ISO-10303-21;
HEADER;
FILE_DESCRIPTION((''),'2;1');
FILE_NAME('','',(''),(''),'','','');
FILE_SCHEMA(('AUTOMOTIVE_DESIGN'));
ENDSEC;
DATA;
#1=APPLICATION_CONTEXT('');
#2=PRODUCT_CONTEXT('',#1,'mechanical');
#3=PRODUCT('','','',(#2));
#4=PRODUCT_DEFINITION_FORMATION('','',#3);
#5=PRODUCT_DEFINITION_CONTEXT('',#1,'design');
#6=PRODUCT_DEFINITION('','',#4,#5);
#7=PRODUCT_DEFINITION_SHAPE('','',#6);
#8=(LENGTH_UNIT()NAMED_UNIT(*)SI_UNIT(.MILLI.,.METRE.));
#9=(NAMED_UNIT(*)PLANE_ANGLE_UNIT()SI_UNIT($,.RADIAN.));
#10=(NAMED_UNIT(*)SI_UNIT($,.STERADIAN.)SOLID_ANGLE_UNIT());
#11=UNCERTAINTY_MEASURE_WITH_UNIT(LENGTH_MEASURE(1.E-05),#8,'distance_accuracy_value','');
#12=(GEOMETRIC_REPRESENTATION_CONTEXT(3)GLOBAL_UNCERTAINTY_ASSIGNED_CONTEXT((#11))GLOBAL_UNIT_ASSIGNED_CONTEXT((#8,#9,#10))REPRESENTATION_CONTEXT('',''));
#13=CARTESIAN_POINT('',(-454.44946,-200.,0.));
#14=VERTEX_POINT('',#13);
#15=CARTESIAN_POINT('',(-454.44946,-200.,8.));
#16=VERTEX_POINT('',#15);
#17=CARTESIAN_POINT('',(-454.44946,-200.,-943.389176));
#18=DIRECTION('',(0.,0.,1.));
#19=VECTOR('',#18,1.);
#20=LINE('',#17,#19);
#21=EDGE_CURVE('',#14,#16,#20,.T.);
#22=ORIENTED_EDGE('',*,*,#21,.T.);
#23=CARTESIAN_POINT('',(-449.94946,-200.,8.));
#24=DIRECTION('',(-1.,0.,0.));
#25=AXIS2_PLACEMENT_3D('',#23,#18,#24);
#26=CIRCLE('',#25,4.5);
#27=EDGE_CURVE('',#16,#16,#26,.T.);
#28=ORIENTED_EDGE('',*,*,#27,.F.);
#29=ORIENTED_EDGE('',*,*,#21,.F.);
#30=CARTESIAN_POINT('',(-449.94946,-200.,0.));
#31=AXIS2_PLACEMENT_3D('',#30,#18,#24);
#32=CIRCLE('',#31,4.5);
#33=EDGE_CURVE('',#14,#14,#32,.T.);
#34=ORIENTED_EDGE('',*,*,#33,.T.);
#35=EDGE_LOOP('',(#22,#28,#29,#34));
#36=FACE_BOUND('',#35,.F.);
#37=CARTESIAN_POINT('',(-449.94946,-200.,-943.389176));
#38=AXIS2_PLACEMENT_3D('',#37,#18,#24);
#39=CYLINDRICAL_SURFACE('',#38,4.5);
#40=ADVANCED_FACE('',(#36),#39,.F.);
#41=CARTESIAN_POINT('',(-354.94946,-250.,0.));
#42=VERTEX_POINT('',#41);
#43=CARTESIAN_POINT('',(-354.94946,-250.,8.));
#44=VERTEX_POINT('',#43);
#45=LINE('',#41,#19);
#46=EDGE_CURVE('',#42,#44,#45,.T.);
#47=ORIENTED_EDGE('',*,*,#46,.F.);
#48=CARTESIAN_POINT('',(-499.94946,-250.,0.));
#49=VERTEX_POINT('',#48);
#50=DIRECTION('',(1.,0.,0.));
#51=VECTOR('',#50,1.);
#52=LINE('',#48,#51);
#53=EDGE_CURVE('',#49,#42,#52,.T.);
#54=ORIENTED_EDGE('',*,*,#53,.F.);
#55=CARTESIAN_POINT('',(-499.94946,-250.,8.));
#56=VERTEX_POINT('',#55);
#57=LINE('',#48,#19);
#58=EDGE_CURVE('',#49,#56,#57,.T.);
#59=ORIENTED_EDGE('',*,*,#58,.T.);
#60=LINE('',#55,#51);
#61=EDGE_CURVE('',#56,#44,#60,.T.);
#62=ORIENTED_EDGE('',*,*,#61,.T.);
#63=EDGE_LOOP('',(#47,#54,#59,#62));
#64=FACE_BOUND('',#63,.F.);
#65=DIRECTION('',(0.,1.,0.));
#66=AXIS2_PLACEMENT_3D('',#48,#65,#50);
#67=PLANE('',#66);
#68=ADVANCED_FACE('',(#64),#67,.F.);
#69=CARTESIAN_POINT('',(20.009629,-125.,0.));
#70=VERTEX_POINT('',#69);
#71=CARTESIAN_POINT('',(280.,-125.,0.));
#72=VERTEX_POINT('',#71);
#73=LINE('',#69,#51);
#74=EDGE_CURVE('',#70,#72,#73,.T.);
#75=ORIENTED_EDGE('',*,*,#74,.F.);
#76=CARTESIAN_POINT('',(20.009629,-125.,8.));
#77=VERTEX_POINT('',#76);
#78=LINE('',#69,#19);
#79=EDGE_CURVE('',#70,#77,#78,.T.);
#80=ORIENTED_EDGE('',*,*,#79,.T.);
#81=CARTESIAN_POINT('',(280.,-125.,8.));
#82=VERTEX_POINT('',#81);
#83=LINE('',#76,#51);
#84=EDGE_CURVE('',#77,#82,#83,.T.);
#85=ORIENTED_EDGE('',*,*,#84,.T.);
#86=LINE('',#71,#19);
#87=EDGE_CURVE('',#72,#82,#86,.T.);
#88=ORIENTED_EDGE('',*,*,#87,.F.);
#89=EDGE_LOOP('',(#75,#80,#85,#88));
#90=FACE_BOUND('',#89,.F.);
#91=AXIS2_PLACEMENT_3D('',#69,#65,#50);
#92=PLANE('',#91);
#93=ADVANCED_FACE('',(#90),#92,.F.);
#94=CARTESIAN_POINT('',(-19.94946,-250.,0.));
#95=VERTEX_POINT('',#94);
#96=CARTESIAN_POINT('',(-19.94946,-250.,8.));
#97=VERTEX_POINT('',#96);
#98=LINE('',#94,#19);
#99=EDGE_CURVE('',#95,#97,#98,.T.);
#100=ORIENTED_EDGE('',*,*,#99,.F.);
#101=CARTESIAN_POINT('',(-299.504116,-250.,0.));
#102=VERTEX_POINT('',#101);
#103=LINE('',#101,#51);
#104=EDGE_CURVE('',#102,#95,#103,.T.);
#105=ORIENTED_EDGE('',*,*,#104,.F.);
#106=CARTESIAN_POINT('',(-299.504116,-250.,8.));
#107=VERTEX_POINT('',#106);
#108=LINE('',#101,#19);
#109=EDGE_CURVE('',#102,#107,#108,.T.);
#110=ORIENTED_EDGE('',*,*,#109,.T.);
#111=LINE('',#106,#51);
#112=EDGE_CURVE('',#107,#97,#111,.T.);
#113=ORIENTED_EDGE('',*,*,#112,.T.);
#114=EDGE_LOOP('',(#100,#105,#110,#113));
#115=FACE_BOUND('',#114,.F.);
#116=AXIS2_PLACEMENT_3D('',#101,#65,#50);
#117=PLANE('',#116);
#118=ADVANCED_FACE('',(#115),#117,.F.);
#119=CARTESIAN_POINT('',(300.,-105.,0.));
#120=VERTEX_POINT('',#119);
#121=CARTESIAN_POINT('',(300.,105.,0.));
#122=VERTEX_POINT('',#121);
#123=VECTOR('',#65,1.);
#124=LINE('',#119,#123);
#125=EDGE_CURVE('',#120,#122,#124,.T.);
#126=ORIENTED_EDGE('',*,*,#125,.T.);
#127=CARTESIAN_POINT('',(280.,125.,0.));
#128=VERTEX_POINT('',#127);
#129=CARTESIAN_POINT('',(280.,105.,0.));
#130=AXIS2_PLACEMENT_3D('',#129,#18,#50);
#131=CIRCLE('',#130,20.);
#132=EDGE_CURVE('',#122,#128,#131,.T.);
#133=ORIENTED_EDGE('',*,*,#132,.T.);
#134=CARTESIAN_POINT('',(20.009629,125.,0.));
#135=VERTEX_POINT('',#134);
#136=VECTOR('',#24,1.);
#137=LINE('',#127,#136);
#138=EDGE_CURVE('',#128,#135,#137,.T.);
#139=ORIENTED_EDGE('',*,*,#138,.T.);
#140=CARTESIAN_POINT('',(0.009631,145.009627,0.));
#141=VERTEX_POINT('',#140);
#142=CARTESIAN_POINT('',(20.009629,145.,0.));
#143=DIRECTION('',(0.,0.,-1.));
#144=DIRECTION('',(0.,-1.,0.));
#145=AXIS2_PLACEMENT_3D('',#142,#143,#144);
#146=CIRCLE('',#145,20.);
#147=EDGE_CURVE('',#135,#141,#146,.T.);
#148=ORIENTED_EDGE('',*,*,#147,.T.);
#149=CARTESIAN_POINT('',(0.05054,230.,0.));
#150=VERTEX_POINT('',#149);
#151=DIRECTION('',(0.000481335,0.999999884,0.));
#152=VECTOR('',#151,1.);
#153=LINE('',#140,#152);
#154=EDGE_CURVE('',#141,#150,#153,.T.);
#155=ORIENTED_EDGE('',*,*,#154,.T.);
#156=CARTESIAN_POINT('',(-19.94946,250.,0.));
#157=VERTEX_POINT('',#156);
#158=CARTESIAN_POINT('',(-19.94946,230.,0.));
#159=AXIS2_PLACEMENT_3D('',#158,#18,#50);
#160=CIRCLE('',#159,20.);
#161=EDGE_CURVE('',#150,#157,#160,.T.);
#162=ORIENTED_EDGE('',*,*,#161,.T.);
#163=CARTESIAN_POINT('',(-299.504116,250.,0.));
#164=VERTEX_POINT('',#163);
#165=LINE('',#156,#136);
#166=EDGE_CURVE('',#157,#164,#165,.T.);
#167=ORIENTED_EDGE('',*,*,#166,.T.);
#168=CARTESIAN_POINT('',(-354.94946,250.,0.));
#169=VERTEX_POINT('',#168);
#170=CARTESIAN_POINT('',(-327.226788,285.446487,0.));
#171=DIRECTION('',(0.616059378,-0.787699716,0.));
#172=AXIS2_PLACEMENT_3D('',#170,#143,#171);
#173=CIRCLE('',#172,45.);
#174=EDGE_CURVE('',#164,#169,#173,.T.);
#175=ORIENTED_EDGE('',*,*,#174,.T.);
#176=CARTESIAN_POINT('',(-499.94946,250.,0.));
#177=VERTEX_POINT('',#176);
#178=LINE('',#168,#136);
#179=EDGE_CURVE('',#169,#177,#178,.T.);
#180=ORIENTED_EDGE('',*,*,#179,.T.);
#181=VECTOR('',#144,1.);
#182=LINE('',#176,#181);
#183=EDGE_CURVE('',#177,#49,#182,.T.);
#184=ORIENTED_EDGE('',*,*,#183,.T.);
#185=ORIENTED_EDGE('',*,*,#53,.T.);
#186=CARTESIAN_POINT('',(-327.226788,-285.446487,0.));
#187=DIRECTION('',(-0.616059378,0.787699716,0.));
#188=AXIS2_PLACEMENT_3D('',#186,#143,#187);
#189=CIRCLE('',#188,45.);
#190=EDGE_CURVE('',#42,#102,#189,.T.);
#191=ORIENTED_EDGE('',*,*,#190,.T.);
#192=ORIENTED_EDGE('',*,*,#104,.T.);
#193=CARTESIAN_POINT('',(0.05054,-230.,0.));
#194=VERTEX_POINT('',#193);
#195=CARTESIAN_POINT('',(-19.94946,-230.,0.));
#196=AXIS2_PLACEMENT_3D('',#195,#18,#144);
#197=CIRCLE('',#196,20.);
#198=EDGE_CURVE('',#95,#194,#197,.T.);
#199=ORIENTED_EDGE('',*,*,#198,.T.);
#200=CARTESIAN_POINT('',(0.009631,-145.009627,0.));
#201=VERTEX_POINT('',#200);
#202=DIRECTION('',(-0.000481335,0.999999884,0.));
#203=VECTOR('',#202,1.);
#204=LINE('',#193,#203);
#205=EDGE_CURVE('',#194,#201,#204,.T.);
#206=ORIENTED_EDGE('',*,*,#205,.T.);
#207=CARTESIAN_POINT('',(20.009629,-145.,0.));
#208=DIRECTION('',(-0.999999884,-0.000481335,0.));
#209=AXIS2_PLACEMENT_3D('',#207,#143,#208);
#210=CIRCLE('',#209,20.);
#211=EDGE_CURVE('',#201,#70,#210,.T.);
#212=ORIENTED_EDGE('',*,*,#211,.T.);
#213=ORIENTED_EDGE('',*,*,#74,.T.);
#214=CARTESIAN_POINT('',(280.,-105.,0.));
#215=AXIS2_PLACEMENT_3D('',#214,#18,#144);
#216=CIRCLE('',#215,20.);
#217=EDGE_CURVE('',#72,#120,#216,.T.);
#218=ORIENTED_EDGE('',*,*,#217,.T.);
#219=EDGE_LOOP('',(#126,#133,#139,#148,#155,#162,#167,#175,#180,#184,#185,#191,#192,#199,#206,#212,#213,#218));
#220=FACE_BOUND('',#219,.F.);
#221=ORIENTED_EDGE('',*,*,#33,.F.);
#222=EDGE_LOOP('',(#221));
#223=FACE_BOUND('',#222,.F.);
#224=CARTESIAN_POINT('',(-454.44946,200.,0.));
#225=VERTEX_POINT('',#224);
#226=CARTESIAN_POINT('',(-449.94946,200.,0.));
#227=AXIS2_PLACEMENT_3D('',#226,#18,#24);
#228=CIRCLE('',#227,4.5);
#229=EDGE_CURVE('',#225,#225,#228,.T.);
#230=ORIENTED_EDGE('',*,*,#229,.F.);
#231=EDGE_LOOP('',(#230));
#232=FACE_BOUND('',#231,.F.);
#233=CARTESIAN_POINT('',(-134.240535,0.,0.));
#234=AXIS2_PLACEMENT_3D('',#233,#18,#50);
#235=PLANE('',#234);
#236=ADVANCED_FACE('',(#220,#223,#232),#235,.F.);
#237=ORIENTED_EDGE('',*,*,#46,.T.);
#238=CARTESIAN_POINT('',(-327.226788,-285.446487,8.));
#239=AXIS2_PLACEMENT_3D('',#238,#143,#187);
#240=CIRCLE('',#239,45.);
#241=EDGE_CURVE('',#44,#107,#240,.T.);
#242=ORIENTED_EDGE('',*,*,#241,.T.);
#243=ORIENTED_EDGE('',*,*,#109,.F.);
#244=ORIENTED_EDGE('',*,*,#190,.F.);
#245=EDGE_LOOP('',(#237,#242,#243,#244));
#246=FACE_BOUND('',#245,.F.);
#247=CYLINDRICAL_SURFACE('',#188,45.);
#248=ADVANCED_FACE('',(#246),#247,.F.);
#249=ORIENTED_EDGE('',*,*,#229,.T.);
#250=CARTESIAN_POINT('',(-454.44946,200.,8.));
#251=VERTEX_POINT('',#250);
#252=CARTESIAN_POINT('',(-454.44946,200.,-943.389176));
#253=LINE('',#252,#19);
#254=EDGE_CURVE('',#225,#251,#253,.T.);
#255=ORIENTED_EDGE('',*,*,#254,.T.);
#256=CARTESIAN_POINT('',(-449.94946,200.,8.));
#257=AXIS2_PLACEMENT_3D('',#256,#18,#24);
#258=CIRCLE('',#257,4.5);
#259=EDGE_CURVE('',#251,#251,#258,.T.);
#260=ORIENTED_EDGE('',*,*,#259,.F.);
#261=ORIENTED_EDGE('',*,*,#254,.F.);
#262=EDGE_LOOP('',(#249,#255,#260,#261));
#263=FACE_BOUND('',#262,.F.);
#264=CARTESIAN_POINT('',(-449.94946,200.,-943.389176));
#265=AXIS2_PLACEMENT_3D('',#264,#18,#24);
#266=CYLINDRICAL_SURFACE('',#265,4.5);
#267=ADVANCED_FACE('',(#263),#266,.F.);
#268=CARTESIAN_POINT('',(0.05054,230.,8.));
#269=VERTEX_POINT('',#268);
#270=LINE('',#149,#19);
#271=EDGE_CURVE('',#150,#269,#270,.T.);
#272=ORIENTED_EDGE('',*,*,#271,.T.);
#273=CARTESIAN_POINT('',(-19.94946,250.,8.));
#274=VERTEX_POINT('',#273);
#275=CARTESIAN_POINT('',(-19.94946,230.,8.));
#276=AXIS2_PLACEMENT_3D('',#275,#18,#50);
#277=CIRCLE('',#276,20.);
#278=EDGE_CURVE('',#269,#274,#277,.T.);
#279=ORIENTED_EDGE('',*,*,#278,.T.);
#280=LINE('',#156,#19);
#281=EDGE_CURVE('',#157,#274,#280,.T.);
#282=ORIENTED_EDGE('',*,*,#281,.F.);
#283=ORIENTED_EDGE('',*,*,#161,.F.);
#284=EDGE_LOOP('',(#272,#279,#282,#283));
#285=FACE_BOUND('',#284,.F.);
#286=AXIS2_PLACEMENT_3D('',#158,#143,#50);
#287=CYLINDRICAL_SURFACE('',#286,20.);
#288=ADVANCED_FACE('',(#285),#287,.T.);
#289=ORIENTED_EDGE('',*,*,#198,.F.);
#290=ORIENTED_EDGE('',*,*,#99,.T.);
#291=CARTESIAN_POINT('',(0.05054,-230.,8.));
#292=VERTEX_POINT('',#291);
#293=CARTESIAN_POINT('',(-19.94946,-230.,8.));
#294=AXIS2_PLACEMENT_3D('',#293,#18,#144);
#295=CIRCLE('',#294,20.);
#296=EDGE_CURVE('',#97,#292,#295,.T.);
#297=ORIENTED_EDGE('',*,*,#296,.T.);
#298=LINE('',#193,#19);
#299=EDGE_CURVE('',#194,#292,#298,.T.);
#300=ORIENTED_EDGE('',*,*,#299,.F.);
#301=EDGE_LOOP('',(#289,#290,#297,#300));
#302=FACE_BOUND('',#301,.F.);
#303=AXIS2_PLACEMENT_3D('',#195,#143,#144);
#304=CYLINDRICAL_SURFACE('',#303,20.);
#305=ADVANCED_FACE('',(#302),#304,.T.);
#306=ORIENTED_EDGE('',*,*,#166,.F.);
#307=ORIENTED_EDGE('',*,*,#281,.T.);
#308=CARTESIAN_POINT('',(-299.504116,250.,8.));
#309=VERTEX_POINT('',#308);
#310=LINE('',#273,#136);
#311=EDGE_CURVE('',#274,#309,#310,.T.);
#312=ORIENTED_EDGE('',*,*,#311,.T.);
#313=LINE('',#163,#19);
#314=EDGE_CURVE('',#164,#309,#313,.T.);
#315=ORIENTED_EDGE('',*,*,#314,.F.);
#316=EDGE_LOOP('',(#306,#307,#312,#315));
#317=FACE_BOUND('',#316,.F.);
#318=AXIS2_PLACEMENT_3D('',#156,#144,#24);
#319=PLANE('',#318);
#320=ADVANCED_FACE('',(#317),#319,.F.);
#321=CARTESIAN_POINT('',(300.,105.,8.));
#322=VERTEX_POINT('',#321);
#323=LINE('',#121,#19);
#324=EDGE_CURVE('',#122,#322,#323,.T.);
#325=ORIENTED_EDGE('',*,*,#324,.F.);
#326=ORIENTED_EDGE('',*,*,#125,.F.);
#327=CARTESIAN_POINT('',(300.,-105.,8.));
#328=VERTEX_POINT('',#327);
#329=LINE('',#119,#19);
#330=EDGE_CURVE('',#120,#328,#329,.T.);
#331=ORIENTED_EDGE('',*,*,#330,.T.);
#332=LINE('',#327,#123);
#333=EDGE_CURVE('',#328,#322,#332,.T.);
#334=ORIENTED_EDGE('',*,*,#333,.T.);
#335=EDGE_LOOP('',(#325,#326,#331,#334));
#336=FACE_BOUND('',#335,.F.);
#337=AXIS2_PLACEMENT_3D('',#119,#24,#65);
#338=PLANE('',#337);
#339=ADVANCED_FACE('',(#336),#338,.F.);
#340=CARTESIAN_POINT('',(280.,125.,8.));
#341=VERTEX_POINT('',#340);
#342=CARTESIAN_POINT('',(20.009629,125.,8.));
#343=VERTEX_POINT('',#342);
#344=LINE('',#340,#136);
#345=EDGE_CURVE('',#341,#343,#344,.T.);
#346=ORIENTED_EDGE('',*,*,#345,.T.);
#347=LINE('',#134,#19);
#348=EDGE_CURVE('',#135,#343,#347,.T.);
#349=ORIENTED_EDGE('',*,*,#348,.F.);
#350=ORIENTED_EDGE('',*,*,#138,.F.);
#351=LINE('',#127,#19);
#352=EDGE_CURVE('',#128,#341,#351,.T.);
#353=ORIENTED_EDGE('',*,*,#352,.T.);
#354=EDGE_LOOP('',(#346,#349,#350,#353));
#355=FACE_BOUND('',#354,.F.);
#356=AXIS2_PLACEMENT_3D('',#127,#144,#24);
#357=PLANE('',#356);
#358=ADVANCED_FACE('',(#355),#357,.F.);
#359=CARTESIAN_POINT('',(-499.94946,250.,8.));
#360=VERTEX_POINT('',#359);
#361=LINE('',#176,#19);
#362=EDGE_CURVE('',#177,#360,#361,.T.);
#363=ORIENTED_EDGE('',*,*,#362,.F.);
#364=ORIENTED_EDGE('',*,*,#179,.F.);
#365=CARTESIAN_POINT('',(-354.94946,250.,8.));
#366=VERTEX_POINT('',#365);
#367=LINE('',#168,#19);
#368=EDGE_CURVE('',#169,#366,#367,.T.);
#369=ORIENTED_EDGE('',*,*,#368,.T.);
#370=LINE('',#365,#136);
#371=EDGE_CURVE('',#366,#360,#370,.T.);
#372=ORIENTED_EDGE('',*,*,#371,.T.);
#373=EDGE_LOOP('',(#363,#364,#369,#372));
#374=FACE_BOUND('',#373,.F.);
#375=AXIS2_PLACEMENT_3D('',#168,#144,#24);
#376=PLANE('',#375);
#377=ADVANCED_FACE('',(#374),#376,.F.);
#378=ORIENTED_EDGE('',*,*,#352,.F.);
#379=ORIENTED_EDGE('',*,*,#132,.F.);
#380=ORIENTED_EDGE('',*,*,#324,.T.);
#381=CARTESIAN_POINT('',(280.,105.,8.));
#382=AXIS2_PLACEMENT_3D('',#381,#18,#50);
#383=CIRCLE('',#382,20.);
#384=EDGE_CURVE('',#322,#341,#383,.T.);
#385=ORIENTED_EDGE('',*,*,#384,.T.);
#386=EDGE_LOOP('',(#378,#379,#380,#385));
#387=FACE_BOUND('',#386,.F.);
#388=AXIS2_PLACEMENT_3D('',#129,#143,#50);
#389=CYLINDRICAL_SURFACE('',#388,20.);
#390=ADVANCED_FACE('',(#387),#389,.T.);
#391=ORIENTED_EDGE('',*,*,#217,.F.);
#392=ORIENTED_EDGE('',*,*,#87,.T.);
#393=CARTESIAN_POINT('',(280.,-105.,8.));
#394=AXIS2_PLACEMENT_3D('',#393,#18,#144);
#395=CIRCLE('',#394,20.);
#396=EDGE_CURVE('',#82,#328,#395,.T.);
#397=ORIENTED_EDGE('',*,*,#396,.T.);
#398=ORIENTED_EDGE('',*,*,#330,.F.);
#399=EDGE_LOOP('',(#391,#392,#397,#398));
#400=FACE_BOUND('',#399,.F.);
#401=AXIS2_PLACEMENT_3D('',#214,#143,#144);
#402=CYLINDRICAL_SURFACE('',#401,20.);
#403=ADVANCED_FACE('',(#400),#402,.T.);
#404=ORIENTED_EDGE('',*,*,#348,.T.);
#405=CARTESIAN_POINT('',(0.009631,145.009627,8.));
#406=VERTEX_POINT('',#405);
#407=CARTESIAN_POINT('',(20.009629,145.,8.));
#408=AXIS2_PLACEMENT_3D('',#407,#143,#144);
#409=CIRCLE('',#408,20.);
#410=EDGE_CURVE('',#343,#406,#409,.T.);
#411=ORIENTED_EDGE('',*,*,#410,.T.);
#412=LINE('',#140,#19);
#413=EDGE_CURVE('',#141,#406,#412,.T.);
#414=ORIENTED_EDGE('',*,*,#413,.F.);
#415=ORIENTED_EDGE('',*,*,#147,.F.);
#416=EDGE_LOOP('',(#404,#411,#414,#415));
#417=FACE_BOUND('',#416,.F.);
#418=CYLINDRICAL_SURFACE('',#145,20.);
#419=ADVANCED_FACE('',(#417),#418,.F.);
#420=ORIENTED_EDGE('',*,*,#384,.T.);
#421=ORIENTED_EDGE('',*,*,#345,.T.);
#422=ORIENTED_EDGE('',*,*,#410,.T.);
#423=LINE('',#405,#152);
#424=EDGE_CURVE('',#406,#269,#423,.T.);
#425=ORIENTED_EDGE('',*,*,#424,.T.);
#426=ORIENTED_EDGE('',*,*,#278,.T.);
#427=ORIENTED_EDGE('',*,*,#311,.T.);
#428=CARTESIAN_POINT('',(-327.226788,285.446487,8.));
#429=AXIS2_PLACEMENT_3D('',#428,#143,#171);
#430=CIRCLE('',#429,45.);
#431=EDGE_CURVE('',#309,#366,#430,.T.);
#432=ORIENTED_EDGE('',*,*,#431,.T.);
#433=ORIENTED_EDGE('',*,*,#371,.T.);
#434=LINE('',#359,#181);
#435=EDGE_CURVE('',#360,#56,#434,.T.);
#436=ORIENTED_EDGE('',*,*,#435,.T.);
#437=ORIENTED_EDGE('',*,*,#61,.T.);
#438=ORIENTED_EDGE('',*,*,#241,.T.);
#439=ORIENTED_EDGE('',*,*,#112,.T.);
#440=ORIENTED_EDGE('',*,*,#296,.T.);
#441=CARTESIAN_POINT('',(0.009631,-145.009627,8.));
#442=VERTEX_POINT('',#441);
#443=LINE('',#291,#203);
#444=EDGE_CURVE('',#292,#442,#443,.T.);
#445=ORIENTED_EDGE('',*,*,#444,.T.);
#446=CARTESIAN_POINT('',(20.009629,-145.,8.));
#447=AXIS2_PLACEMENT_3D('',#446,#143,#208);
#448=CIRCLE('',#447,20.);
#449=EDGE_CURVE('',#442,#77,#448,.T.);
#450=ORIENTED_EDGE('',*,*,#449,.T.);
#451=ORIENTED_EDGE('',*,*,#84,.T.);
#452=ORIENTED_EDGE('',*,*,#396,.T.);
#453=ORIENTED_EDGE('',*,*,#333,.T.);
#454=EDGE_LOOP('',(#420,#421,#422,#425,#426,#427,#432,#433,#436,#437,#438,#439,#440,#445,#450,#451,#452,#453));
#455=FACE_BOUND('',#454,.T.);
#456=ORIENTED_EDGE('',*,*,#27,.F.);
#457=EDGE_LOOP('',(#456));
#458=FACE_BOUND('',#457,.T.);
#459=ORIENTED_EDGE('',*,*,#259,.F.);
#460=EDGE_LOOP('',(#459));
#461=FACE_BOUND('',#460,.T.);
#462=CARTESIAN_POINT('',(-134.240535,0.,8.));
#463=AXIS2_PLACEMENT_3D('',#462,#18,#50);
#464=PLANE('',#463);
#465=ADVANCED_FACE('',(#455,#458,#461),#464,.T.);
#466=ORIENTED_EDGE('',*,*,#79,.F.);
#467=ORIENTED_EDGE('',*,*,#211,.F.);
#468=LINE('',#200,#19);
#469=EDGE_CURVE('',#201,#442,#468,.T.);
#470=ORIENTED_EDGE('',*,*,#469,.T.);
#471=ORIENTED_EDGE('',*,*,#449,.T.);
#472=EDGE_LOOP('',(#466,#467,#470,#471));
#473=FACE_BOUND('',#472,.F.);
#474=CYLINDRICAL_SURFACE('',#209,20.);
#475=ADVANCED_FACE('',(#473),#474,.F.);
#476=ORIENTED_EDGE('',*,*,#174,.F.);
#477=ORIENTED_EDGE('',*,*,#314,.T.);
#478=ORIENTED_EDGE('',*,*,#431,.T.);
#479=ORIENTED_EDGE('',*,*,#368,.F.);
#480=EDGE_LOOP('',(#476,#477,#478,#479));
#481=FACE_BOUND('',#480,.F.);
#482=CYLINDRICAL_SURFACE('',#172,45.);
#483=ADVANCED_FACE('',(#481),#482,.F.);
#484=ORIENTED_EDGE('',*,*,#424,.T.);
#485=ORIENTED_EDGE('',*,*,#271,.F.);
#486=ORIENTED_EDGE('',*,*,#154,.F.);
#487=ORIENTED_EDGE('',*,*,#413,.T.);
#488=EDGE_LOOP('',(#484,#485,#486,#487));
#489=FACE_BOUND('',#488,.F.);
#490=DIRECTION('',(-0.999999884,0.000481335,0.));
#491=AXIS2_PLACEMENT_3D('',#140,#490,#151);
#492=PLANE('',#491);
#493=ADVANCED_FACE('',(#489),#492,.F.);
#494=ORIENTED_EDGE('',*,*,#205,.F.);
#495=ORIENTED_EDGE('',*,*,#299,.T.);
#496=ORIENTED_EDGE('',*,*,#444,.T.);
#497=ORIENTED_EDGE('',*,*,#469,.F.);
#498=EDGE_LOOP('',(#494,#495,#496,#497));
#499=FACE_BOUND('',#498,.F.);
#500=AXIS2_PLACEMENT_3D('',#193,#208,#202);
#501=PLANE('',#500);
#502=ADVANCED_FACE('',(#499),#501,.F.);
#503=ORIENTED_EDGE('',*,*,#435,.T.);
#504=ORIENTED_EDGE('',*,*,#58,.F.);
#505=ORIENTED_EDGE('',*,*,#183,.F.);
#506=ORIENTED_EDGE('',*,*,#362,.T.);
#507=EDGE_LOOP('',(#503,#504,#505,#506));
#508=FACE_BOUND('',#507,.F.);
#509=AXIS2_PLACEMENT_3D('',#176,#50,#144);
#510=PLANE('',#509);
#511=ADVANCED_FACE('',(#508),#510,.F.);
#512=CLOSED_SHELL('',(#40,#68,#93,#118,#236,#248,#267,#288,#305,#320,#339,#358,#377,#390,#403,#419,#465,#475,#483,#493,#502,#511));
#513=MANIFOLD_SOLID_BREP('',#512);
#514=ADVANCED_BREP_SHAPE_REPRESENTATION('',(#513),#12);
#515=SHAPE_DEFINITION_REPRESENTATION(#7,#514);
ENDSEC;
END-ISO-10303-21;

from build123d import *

# Parameters (mm, degrees)
F2_DEPTH = 8
F3_D     = 9


with BuildPart() as f2:
    # F0 (on Top) → F2 (new body)
    with BuildSketch(Plane.XY):
        with BuildLine():
            ThreePointArc((0.0505401735, 230), (-5.8073242027, 244.1421356237), (-19.9494598265, 250))
            Line((-19.9494598265, 250), (-299.5041157847, 250))
            ThreePointArc((-299.5041157847, 250), (-327.2267878056, 240.446487217), (-354.9494598265, 250))
            Line((-354.9494598265, 250), (-499.9494598265, 250))
            Line((-499.9494598265, 250), (-499.9494598265, -250))
            Line((-499.9494598265, -250), (-354.9494598265, -250))
            ThreePointArc((-354.9494598265, -250), (-327.2267878056, -240.446487217), (-299.5041157847, -250))
            Line((-299.5041157847, -250), (-19.9494598265, -250))
            ThreePointArc((-19.9494598265, -250), (-5.8073242027, -244.1421356237), (0.0505401735, -230))
            Line((0.0505401735, -230), (0.0096313334, -145.0096266986))
            ThreePointArc((0.0096313334, -145.0096266986), (5.8640902504, -130.8612683379), (20.0096290166, -125))
            Line((20.0096290166, -125), (280, -125))
            ThreePointArc((280, -125), (294.1421356237, -119.1421356237), (300, -105))
            Line((300, -105), (300, 105))
            ThreePointArc((300, 105), (294.1421356237, 119.1421356237), (280, 125))
            Line((280, 125), (20.0096290166, 125))
            ThreePointArc((20.0096290166, 125), (5.8640902504, 130.8612683379), (0.0096313334, 145.0096266986))
            Line((0.0096313334, 145.0096266986), (0.0505401735, 230))
        make_face()
    extrude(amount=F2_DEPTH)

    # F3 (through all)
    with Locations(Plane(origin=(0, 0, 0), x_dir=(1, 0, 0), z_dir=(0, 0, -1))):
        with Locations((-449.9494598265, 200), (-449.9494598265, -200)):
            Hole(F3_D / 2)


solid = f2.part
